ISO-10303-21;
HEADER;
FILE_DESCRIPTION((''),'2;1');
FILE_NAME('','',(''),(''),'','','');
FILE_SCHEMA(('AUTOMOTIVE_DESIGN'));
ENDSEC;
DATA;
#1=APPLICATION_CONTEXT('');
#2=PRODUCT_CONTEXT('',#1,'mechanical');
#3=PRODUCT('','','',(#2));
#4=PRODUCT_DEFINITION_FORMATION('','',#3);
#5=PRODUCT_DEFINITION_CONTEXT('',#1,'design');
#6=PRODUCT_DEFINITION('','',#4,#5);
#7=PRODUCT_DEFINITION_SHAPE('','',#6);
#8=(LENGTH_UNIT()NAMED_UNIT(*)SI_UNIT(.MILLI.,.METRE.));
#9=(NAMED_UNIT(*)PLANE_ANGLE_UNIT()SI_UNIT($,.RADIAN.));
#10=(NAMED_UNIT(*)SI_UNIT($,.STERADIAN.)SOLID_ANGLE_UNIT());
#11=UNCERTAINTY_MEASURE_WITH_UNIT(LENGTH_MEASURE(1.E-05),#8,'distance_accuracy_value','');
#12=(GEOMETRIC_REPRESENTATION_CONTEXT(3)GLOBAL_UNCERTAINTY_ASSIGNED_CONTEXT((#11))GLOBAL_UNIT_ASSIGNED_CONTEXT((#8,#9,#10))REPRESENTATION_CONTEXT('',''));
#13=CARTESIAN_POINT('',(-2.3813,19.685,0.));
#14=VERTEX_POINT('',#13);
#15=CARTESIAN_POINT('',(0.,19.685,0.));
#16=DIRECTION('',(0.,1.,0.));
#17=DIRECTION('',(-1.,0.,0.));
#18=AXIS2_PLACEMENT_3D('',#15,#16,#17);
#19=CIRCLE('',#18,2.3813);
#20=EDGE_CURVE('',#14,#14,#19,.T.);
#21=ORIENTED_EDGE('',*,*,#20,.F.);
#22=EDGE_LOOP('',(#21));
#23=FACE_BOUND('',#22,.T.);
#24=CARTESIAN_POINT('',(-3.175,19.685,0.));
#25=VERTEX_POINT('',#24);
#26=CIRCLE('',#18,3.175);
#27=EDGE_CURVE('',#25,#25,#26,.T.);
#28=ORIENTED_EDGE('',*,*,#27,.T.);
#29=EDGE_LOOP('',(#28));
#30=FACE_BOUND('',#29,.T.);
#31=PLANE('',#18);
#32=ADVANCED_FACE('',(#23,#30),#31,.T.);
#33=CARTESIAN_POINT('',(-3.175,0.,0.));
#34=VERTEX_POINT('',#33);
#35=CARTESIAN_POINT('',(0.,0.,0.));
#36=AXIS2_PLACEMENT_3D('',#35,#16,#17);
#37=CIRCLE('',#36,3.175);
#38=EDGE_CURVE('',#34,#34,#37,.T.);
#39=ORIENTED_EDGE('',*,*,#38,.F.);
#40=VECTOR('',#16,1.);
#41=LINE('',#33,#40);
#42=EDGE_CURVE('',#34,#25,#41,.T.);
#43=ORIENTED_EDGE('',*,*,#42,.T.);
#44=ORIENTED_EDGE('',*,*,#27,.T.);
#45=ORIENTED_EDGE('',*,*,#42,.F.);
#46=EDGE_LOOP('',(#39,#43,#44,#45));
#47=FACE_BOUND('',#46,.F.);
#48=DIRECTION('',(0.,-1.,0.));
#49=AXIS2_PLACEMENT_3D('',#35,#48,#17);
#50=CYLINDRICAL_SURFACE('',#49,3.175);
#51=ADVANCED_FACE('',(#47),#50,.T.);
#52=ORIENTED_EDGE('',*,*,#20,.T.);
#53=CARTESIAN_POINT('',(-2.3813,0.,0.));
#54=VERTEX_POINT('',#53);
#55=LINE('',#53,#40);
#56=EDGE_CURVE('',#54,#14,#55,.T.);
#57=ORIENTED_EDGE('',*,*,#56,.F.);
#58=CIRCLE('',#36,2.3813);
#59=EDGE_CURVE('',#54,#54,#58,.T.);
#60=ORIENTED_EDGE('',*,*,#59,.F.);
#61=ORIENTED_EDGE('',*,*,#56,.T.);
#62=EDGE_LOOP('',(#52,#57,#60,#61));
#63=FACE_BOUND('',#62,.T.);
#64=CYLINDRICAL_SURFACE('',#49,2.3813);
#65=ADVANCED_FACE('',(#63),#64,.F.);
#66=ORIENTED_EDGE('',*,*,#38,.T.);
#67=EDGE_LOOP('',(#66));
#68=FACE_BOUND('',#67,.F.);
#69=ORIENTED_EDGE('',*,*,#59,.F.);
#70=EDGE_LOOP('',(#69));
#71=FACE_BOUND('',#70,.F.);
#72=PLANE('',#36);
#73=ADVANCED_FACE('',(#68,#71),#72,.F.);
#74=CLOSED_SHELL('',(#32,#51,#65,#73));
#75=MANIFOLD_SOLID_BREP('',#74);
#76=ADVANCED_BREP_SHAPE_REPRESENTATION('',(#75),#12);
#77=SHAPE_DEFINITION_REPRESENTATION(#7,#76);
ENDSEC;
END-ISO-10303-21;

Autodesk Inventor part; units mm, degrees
ref_plane "YZ Plane" through (0, 0, 0) normal (1, 0, 0) x (0, 1, 0)
ref_plane "XZ Plane" through (0, 0, 0) normal (0, 1, 0) x (-1, 0, 0)
ref_plane "XY Plane" through (0, 0, 0) normal (0, 0, 1) x (1, 0, 0)
sketch "Sketch1" plane through (0, 0, 0) normal (0, 1, 0) x (-1, 0, 0)
  circle A0 centre (0, 0) radius 3.175
  circle A1 centre (0, 0) radius 2.3813
  dimension "d0" = 6.35
  dimension "d1" = 4.7625
extrude "Extrusion1" add sketch "Sketch1" along normal blind 19.685
properties part number ".775" material "Stainless Steel"
